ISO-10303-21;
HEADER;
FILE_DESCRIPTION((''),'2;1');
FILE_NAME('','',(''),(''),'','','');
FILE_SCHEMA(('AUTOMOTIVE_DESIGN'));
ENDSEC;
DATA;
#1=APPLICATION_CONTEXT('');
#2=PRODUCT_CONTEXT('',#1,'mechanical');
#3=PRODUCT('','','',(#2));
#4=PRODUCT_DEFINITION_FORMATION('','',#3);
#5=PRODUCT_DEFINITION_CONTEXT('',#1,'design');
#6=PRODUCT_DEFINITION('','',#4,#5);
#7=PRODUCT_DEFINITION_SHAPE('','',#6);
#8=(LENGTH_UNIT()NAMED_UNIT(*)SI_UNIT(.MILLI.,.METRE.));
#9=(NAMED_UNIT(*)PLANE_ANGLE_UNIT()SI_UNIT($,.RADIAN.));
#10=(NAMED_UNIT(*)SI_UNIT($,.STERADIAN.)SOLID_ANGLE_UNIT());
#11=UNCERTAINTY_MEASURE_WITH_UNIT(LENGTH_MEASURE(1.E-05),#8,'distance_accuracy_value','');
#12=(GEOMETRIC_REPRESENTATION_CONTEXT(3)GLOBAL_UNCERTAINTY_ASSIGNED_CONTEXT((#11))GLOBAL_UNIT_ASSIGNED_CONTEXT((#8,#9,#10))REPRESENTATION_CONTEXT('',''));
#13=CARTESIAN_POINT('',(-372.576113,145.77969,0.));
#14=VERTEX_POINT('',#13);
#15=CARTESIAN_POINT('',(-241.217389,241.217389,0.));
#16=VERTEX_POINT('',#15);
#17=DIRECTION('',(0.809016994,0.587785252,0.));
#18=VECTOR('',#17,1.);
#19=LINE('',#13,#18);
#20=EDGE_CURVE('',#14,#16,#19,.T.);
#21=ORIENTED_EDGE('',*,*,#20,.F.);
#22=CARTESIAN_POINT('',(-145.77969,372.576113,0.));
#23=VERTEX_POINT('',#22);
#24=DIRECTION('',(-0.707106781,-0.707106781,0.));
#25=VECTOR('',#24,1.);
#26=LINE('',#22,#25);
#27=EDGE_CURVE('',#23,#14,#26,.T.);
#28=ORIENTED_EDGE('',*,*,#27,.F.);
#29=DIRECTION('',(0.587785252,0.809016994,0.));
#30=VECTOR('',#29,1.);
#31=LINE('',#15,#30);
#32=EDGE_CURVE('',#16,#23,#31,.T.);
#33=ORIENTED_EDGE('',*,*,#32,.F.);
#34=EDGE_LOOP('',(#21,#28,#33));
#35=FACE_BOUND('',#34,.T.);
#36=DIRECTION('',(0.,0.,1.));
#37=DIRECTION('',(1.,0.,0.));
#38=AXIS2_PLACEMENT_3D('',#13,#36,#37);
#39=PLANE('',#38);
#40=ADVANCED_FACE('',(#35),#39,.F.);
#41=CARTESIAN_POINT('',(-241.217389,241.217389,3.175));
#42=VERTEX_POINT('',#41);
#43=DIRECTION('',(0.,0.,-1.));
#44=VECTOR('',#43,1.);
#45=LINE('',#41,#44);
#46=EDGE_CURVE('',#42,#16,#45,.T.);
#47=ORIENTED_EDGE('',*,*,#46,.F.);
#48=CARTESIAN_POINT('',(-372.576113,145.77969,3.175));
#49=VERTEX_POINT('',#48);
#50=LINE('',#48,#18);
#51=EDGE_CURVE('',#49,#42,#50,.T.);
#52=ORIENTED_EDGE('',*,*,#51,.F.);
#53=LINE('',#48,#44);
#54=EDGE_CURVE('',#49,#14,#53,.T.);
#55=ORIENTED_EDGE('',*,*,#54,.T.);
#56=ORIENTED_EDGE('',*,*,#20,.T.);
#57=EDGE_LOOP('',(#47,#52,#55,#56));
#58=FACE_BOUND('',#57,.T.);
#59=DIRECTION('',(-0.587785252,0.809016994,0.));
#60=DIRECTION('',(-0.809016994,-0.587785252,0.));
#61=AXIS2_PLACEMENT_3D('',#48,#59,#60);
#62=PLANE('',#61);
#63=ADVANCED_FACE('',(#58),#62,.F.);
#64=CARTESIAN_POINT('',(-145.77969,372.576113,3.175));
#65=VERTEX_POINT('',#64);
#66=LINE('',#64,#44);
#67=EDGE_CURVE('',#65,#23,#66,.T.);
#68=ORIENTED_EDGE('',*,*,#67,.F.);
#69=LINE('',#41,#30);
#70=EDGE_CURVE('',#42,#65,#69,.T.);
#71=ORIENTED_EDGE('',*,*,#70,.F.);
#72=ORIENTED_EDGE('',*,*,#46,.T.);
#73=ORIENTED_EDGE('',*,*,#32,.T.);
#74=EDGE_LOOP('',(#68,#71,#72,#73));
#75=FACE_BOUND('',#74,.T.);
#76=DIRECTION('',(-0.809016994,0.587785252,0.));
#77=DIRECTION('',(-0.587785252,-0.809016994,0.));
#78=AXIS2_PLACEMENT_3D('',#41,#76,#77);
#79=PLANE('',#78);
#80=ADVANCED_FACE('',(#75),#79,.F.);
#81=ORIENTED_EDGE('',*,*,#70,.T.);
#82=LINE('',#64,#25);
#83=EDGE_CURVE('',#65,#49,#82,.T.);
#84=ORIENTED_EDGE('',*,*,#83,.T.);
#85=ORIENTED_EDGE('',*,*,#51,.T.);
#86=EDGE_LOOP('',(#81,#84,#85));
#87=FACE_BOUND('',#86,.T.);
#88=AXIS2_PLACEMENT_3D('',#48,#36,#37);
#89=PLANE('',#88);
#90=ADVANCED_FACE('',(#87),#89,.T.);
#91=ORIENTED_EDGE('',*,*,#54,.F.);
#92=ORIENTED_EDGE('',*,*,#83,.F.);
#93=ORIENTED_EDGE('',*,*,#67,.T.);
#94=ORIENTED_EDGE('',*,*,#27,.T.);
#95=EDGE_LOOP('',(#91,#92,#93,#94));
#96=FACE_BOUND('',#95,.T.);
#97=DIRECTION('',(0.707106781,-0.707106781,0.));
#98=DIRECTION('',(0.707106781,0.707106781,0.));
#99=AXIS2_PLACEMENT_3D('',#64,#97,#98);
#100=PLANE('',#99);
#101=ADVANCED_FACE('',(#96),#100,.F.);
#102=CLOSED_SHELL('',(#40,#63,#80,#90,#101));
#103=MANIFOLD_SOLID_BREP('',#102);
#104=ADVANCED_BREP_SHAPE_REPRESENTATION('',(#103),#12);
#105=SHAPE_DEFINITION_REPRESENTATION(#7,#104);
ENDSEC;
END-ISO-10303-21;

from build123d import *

# Parameters (mm, degrees)
EXTRUDE1_DEPTH = 3.175


with BuildPart() as part:
    # Sketch1 → Extrude1 (new body)
    with BuildSketch(Plane.XY):
        Polygon((-372.576113105, 145.779690358), (-241.217389489, 241.217389489), (-145.779690358, 372.576113105), align=None)
    extrude(amount=EXTRUDE1_DEPTH)


solid = part.part
